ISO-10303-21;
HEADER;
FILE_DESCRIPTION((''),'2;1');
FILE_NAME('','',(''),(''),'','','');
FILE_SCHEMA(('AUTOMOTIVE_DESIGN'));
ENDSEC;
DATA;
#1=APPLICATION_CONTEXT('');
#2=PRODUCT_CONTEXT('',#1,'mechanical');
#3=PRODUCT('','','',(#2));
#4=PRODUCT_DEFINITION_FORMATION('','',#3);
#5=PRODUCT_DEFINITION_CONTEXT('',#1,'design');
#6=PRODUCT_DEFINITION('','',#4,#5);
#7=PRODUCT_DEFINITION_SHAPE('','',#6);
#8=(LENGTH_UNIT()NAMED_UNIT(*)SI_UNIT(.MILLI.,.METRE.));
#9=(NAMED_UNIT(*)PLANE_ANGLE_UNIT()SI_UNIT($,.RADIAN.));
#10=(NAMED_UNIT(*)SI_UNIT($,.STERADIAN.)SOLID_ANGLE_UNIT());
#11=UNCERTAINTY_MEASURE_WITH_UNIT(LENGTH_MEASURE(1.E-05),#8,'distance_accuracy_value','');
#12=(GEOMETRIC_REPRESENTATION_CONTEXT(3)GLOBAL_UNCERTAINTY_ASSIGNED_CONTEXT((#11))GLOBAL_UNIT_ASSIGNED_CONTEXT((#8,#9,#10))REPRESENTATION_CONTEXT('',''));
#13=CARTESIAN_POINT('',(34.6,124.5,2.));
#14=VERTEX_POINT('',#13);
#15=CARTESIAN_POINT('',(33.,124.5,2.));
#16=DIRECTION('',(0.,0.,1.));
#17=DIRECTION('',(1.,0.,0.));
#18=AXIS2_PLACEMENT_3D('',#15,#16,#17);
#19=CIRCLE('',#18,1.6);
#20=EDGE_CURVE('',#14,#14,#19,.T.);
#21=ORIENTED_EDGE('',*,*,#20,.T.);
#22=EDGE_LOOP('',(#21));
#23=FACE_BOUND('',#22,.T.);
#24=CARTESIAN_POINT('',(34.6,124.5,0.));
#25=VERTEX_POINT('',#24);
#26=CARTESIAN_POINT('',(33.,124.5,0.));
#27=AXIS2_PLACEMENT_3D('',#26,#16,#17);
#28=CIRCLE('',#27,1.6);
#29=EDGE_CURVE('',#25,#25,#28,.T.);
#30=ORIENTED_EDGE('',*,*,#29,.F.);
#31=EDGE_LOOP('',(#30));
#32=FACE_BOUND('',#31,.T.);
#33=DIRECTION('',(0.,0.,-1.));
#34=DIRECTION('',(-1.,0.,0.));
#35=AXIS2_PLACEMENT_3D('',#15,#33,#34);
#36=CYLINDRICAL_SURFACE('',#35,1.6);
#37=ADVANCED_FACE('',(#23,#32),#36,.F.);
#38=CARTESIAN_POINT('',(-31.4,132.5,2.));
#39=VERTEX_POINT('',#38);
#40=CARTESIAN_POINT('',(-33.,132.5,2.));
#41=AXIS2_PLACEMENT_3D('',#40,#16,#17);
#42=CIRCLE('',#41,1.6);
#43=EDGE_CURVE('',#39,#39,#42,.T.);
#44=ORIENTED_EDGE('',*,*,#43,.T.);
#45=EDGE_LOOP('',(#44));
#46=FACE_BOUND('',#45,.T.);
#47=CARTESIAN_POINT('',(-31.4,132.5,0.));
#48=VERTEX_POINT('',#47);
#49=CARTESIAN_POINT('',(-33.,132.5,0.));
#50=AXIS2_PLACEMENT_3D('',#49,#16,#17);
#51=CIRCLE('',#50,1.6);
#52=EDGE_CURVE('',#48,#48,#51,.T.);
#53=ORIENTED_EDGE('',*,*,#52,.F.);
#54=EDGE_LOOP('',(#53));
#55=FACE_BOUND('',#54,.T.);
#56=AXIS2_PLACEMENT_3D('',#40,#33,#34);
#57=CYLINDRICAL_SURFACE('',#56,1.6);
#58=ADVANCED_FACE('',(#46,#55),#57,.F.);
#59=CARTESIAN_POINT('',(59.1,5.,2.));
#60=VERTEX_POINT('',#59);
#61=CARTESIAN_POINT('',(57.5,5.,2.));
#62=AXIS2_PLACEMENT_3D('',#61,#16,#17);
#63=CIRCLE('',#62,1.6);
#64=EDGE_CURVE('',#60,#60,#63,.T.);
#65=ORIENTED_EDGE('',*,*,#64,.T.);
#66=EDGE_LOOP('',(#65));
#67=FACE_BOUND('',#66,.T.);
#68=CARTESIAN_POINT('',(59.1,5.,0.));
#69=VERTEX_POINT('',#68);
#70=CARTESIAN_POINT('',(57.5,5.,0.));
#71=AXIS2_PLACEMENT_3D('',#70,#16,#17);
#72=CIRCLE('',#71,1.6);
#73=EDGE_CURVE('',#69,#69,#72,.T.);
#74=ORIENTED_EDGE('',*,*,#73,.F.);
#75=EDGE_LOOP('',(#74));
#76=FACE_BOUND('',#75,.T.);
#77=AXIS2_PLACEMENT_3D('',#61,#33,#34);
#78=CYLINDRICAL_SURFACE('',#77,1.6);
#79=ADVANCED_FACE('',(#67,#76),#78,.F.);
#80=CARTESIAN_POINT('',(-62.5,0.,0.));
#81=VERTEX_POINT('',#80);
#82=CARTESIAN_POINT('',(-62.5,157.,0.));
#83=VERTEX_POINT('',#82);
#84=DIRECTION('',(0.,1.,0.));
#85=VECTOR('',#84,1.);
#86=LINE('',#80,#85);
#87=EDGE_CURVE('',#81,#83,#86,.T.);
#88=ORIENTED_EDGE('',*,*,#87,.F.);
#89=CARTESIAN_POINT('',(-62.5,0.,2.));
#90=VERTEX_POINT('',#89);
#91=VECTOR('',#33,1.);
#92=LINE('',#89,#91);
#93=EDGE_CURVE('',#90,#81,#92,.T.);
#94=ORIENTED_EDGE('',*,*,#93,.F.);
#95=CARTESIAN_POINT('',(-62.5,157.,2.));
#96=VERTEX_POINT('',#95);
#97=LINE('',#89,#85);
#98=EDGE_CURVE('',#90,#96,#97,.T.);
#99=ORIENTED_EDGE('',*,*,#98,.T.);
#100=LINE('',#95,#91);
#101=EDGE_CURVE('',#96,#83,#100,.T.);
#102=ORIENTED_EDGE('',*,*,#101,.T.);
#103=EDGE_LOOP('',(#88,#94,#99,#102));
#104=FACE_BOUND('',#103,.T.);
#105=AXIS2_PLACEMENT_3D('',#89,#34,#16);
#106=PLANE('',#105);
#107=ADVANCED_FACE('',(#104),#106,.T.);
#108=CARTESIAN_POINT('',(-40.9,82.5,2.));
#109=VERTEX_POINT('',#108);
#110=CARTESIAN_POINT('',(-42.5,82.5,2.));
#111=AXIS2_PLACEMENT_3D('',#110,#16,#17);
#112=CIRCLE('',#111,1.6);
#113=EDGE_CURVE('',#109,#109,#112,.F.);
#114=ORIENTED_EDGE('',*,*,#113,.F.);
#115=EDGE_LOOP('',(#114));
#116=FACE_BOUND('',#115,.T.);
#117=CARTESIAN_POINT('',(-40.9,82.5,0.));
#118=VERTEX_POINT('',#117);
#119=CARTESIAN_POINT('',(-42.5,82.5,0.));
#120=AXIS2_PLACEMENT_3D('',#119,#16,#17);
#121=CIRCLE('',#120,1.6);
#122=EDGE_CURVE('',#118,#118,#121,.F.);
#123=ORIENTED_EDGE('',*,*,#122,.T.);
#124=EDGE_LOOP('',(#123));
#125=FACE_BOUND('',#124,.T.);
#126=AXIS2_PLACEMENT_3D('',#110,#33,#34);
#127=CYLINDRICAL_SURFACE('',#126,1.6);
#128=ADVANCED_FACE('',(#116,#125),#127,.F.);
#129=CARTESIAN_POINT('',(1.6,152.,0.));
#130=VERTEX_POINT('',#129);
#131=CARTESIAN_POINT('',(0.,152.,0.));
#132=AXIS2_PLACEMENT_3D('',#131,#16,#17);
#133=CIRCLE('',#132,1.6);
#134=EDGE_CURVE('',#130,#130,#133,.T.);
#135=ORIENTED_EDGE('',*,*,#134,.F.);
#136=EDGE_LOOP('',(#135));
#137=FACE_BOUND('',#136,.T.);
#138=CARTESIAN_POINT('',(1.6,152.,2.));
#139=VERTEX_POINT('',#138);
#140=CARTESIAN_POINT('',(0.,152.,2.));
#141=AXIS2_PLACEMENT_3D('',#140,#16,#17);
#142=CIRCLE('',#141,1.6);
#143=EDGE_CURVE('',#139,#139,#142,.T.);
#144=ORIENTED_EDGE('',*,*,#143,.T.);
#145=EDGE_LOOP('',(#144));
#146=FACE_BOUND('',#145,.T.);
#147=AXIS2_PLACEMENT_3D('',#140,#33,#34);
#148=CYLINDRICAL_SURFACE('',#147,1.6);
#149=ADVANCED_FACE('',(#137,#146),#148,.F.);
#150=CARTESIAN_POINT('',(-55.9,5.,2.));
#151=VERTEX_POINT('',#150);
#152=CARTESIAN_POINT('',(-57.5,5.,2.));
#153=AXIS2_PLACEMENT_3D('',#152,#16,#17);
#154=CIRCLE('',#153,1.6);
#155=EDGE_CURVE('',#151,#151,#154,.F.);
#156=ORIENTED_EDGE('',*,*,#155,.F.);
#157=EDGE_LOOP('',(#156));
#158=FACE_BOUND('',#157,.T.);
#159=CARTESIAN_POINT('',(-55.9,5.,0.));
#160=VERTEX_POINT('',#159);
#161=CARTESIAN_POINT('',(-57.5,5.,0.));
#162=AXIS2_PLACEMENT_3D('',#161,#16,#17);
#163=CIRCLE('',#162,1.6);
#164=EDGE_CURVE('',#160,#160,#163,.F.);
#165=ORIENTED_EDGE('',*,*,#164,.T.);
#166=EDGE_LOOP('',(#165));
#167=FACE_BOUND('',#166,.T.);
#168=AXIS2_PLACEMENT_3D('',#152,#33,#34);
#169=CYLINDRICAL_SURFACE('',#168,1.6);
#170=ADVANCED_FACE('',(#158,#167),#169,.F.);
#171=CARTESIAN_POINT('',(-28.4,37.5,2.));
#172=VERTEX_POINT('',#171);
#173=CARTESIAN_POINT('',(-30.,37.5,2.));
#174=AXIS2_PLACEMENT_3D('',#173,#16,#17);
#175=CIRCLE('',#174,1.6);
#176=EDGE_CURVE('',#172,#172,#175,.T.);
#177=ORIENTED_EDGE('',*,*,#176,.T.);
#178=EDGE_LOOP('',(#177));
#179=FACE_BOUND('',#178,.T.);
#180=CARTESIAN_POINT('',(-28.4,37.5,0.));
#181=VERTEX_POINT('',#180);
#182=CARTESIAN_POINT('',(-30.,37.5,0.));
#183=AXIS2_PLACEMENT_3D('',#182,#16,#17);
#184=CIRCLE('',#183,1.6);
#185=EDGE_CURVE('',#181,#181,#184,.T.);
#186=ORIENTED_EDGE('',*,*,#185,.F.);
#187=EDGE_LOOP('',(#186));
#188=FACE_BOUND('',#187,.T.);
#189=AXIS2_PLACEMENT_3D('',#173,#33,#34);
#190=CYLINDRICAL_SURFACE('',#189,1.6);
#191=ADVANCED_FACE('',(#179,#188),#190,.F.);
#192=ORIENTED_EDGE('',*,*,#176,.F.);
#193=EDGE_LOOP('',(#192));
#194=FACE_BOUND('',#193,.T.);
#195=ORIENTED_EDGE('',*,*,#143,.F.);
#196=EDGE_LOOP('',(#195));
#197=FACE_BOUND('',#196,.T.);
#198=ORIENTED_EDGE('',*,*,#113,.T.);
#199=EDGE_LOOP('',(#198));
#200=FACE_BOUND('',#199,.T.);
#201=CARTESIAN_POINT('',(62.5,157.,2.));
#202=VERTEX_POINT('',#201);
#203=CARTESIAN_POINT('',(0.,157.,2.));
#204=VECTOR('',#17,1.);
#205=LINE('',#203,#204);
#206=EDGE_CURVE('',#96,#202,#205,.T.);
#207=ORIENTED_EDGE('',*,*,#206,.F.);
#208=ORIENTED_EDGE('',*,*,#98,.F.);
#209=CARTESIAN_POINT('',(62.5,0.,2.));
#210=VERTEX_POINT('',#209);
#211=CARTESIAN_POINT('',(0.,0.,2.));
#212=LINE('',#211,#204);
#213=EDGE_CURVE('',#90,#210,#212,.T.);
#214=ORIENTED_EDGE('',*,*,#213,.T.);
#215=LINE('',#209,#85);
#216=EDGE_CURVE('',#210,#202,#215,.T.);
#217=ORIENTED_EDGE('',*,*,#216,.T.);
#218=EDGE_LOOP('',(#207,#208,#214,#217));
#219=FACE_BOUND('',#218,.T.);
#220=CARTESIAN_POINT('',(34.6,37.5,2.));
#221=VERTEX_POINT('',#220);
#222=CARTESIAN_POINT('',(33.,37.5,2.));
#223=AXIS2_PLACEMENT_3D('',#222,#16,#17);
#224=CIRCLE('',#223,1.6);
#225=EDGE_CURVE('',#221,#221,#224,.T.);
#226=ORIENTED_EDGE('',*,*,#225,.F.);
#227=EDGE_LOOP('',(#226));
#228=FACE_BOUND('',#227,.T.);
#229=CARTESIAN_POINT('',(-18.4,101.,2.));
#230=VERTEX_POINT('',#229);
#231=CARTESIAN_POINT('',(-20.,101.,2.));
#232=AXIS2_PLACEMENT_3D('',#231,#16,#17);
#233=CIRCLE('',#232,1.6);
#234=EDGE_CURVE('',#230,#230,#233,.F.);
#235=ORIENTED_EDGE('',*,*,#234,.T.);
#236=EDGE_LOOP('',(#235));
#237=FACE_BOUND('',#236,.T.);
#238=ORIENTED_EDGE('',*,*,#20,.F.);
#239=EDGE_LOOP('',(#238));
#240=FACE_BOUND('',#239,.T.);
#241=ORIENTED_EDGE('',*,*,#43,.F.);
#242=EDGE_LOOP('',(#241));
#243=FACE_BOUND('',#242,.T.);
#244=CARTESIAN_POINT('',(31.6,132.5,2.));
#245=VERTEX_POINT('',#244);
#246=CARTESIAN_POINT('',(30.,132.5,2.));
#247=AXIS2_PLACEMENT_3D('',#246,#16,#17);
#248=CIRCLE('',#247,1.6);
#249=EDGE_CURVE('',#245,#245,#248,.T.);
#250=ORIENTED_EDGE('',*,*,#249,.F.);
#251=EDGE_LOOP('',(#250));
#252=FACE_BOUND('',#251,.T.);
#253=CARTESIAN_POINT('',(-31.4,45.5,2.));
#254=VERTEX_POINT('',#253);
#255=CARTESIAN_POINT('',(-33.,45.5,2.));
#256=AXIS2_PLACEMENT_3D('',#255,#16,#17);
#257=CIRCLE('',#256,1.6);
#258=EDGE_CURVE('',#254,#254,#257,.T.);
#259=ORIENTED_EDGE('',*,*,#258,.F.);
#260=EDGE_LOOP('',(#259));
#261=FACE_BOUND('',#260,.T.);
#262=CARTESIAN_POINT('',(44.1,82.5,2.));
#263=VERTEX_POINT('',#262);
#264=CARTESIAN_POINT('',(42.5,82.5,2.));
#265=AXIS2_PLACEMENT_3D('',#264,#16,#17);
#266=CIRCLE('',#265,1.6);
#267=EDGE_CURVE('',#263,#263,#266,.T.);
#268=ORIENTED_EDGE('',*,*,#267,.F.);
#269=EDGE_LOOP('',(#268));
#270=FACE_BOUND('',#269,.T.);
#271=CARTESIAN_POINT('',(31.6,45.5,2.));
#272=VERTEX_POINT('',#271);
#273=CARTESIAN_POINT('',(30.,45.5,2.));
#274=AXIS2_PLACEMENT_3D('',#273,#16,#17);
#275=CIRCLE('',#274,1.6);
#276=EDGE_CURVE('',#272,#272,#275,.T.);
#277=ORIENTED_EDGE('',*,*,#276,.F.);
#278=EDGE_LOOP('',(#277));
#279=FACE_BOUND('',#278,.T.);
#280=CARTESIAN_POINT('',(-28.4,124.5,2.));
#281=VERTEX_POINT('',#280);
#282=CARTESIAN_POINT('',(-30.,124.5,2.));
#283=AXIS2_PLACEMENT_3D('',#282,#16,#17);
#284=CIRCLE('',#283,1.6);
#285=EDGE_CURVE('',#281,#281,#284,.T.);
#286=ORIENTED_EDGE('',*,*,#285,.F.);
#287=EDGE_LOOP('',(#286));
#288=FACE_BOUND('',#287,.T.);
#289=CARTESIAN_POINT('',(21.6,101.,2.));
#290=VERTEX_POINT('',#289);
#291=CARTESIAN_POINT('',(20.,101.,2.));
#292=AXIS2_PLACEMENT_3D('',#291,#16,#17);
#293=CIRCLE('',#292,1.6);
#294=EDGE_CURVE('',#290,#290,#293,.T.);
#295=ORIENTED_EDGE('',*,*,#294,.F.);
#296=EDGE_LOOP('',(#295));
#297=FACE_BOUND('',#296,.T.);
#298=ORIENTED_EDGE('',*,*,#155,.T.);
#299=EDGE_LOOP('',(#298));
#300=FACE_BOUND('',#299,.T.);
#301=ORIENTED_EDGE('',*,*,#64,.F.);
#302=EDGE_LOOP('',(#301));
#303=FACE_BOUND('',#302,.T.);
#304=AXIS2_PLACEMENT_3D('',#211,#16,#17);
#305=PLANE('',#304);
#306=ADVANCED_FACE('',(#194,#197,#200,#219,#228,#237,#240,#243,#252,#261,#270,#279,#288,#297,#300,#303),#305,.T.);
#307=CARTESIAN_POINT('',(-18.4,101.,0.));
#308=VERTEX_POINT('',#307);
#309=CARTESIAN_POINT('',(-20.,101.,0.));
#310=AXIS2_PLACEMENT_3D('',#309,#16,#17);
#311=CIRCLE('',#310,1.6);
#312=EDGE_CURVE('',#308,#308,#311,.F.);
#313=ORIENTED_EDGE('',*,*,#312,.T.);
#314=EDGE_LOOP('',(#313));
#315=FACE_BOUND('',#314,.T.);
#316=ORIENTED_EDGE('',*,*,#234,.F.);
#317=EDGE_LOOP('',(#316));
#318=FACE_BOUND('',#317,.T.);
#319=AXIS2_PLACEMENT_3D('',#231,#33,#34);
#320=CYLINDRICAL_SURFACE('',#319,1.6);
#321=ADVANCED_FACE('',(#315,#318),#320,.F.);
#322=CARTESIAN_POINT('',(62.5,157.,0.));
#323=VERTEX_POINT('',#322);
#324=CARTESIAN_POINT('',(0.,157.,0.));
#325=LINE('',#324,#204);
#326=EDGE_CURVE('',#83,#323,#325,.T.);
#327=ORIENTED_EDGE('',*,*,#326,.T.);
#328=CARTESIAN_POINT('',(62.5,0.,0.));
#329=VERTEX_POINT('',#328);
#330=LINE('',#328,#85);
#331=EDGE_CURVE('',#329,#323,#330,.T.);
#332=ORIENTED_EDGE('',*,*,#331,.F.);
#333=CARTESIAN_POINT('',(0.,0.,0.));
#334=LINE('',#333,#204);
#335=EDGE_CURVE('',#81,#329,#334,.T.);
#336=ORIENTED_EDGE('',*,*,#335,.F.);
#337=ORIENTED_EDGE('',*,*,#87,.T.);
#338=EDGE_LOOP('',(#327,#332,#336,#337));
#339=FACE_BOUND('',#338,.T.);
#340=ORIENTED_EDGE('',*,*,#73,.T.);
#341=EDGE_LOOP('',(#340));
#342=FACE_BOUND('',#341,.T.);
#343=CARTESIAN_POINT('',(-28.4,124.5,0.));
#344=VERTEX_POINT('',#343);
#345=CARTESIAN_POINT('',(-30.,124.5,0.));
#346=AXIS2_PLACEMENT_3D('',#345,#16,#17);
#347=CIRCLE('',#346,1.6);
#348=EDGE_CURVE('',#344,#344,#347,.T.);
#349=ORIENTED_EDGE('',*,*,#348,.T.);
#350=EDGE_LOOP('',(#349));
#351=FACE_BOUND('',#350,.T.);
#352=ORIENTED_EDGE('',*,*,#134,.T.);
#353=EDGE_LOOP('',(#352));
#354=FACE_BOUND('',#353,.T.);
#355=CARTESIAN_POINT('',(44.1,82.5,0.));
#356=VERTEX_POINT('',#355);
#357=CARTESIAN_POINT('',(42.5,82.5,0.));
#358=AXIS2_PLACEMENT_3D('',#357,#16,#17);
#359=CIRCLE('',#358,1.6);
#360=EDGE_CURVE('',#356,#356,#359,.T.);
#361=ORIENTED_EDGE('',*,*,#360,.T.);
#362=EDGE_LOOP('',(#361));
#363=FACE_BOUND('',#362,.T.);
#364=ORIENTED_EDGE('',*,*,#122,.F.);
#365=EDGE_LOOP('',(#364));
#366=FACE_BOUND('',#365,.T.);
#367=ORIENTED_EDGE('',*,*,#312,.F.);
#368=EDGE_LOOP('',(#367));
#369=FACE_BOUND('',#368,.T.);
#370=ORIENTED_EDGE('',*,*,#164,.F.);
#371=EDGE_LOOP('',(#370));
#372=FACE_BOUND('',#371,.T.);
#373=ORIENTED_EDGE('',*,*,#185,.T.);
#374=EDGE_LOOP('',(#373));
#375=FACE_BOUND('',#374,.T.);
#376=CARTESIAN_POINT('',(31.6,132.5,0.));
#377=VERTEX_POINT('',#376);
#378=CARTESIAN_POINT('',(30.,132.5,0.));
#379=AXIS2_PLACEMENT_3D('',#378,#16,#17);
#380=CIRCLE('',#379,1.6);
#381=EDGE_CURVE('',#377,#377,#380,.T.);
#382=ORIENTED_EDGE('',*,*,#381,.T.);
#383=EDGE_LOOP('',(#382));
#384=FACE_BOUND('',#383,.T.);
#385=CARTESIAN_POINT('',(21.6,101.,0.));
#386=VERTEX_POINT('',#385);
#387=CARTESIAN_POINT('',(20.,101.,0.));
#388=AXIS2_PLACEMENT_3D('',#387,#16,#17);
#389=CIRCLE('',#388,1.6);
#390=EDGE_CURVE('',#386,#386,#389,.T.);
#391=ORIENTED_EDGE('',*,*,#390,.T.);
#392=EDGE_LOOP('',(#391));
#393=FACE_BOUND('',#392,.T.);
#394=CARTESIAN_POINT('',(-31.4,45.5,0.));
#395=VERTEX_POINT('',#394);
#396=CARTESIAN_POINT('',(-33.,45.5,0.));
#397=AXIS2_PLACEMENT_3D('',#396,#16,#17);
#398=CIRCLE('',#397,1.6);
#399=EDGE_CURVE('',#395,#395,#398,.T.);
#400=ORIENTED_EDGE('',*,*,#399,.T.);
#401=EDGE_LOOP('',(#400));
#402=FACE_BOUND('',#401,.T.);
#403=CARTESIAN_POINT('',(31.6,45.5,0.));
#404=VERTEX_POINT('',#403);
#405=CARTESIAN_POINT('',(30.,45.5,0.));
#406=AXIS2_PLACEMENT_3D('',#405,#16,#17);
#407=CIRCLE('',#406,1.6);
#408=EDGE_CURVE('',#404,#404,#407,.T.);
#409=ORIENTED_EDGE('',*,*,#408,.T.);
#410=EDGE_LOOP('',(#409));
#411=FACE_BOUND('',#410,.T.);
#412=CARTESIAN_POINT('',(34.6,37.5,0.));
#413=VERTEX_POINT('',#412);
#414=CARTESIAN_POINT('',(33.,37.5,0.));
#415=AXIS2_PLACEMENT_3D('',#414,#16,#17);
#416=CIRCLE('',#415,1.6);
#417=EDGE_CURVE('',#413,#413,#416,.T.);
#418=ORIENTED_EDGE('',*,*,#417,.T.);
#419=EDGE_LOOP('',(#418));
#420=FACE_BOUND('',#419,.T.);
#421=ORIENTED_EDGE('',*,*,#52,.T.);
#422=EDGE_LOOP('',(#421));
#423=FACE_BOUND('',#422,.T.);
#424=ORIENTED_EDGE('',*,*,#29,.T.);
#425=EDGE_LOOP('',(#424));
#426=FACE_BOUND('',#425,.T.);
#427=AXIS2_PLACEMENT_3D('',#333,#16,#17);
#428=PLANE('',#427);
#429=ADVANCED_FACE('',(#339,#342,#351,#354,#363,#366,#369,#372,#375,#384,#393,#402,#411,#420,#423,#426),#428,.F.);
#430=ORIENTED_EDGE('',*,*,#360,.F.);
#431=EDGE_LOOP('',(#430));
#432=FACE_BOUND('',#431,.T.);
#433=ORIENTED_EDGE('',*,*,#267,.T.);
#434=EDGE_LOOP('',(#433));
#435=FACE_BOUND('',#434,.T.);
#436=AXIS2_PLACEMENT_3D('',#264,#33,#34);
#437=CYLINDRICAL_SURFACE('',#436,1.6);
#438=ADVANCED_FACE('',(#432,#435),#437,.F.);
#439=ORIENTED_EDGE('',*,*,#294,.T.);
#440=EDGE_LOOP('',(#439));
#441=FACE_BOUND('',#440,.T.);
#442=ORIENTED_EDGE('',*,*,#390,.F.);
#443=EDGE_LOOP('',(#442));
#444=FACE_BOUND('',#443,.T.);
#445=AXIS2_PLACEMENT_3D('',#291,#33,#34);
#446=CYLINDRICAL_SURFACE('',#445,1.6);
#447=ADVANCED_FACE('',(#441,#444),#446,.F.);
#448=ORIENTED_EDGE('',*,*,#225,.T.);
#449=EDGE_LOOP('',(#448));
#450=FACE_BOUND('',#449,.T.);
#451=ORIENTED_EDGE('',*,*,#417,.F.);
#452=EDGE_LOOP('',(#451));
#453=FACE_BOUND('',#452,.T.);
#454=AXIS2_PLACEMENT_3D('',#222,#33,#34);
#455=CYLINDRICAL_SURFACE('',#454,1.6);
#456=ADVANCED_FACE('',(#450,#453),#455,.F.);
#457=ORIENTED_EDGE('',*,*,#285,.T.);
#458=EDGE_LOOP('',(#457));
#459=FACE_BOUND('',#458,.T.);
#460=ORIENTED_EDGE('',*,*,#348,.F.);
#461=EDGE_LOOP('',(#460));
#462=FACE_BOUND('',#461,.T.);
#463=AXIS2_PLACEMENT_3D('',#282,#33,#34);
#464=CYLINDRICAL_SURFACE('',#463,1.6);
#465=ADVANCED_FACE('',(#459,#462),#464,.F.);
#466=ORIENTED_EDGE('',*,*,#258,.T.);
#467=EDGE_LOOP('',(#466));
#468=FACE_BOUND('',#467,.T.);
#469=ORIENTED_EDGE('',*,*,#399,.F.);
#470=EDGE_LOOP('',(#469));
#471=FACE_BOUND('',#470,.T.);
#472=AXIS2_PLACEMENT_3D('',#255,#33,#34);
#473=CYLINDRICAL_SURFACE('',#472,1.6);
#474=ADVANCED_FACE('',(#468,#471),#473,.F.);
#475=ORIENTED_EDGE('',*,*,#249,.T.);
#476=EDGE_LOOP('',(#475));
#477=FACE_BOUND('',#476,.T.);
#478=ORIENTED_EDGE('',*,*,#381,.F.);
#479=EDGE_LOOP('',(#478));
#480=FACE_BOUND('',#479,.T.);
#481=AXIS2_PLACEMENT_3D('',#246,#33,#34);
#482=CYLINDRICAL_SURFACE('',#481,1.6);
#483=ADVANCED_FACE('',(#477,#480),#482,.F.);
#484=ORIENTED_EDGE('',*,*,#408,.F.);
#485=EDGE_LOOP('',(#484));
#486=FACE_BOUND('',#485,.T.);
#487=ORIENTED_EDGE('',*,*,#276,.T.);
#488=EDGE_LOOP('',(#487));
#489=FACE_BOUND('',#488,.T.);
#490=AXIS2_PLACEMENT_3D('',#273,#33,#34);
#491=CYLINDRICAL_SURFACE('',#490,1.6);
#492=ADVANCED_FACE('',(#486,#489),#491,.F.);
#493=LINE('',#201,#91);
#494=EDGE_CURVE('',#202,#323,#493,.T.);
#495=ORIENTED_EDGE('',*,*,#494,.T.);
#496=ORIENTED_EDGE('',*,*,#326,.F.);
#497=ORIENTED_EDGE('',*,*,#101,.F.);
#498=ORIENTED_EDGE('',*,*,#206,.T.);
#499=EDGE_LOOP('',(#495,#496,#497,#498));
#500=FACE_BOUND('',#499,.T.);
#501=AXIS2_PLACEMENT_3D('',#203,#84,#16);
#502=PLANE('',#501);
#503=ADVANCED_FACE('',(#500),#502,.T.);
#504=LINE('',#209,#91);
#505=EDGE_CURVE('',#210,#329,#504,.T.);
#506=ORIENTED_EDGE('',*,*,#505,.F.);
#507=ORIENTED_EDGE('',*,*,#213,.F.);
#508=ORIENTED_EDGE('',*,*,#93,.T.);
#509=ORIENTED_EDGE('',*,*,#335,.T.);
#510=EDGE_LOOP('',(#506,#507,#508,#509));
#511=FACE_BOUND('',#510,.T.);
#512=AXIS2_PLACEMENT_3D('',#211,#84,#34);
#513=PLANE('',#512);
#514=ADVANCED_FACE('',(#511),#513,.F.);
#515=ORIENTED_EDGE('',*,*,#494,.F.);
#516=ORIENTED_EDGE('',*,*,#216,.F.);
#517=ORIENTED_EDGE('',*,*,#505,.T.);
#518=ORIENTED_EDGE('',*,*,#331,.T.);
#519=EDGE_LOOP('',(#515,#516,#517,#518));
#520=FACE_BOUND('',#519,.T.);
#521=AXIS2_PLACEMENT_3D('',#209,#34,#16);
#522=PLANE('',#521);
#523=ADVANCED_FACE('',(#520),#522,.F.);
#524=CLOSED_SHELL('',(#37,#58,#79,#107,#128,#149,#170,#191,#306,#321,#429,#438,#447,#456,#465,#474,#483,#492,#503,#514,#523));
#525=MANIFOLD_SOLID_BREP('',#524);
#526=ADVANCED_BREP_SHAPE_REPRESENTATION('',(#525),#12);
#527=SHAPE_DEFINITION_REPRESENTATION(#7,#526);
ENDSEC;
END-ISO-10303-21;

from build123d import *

# Parameters (mm, degrees)
SKETCH_1_W      = 125
SKETCH_1_H      = 157
SKETCH_1_R      = 1.6
SKETCH_1_W_2    = 10
SKETCH_1_H_2    = 15
EXTRUDE_1_DEPTH = 2


with BuildPart() as part:
    # 草圖1 → 填料-伸長1 (new body)
    # profile 1 of 5: a face of its own
    with BuildSketch(Plane.XY):
        with Locations((0, 78.5)):
            Rectangle(SKETCH_1_W, SKETCH_1_H)
        with Locations((-42.5, 82.5)):
            Circle(SKETCH_1_R, mode=Mode.SUBTRACT)
        with Locations((42.5, 82.5)):
            Circle(SKETCH_1_R, mode=Mode.SUBTRACT)
        with Locations((0, 152)):
            Circle(SKETCH_1_R, mode=Mode.SUBTRACT)
        with Locations((20, 101)):
            Circle(SKETCH_1_R, mode=Mode.SUBTRACT)
        with Locations((-20, 101)):
            Circle(SKETCH_1_R, mode=Mode.SUBTRACT)
        with Locations((57.5, 5)):
            Circle(SKETCH_1_R, mode=Mode.SUBTRACT)
        with Locations((-57.5, 5)):
            Circle(SKETCH_1_R, mode=Mode.SUBTRACT)
        with Locations((-31.5, 128.5)):
            Rectangle(SKETCH_1_W_2, SKETCH_1_H_2, mode=Mode.SUBTRACT)
        with Locations((31.5, 41.5)):
            Rectangle(SKETCH_1_W_2, SKETCH_1_H_2, mode=Mode.SUBTRACT)
        with Locations((-31.5, 41.5)):
            Rectangle(SKETCH_1_W_2, SKETCH_1_H_2, mode=Mode.SUBTRACT)
        with Locations((31.5, 128.5)):
            Rectangle(SKETCH_1_W_2, SKETCH_1_H_2, mode=Mode.SUBTRACT)
    # profile 2 of 5: a face of its own
    with BuildSketch(Plane.XY):
        with Locations((31.5, 128.5)):
            Rectangle(SKETCH_1_W_2, SKETCH_1_H_2)
        with Locations((30, 132.5)):
            Circle(SKETCH_1_R, mode=Mode.SUBTRACT)
        with Locations((33, 124.5)):
            Circle(SKETCH_1_R, mode=Mode.SUBTRACT)
    # profile 3 of 5: a face of its own
    with BuildSketch(Plane.XY):
        with Locations((-31.5, 128.5)):
            Rectangle(SKETCH_1_W_2, SKETCH_1_H_2)
        with Locations((-30, 124.5)):
            Circle(SKETCH_1_R, mode=Mode.SUBTRACT)
        with Locations((-33, 132.5)):
            Circle(SKETCH_1_R, mode=Mode.SUBTRACT)
    # profile 4 of 5: a face of its own
    with BuildSketch(Plane.XY):
        with Locations((-31.5, 41.5)):
            Rectangle(SKETCH_1_W_2, SKETCH_1_H_2)
        with Locations((-30, 37.5)):
            Circle(SKETCH_1_R, mode=Mode.SUBTRACT)
        with Locations((-33, 45.5)):
            Circle(SKETCH_1_R, mode=Mode.SUBTRACT)
    # profile 5 of 5: a face of its own
    with BuildSketch(Plane.XY):
        with Locations((31.5, 41.5)):
            Rectangle(SKETCH_1_W_2, SKETCH_1_H_2)
        with Locations((33, 37.5)):
            Circle(SKETCH_1_R, mode=Mode.SUBTRACT)
        with Locations((30, 45.5)):
            Circle(SKETCH_1_R, mode=Mode.SUBTRACT)
    extrude(amount=EXTRUDE_1_DEPTH)


solid = part.part
